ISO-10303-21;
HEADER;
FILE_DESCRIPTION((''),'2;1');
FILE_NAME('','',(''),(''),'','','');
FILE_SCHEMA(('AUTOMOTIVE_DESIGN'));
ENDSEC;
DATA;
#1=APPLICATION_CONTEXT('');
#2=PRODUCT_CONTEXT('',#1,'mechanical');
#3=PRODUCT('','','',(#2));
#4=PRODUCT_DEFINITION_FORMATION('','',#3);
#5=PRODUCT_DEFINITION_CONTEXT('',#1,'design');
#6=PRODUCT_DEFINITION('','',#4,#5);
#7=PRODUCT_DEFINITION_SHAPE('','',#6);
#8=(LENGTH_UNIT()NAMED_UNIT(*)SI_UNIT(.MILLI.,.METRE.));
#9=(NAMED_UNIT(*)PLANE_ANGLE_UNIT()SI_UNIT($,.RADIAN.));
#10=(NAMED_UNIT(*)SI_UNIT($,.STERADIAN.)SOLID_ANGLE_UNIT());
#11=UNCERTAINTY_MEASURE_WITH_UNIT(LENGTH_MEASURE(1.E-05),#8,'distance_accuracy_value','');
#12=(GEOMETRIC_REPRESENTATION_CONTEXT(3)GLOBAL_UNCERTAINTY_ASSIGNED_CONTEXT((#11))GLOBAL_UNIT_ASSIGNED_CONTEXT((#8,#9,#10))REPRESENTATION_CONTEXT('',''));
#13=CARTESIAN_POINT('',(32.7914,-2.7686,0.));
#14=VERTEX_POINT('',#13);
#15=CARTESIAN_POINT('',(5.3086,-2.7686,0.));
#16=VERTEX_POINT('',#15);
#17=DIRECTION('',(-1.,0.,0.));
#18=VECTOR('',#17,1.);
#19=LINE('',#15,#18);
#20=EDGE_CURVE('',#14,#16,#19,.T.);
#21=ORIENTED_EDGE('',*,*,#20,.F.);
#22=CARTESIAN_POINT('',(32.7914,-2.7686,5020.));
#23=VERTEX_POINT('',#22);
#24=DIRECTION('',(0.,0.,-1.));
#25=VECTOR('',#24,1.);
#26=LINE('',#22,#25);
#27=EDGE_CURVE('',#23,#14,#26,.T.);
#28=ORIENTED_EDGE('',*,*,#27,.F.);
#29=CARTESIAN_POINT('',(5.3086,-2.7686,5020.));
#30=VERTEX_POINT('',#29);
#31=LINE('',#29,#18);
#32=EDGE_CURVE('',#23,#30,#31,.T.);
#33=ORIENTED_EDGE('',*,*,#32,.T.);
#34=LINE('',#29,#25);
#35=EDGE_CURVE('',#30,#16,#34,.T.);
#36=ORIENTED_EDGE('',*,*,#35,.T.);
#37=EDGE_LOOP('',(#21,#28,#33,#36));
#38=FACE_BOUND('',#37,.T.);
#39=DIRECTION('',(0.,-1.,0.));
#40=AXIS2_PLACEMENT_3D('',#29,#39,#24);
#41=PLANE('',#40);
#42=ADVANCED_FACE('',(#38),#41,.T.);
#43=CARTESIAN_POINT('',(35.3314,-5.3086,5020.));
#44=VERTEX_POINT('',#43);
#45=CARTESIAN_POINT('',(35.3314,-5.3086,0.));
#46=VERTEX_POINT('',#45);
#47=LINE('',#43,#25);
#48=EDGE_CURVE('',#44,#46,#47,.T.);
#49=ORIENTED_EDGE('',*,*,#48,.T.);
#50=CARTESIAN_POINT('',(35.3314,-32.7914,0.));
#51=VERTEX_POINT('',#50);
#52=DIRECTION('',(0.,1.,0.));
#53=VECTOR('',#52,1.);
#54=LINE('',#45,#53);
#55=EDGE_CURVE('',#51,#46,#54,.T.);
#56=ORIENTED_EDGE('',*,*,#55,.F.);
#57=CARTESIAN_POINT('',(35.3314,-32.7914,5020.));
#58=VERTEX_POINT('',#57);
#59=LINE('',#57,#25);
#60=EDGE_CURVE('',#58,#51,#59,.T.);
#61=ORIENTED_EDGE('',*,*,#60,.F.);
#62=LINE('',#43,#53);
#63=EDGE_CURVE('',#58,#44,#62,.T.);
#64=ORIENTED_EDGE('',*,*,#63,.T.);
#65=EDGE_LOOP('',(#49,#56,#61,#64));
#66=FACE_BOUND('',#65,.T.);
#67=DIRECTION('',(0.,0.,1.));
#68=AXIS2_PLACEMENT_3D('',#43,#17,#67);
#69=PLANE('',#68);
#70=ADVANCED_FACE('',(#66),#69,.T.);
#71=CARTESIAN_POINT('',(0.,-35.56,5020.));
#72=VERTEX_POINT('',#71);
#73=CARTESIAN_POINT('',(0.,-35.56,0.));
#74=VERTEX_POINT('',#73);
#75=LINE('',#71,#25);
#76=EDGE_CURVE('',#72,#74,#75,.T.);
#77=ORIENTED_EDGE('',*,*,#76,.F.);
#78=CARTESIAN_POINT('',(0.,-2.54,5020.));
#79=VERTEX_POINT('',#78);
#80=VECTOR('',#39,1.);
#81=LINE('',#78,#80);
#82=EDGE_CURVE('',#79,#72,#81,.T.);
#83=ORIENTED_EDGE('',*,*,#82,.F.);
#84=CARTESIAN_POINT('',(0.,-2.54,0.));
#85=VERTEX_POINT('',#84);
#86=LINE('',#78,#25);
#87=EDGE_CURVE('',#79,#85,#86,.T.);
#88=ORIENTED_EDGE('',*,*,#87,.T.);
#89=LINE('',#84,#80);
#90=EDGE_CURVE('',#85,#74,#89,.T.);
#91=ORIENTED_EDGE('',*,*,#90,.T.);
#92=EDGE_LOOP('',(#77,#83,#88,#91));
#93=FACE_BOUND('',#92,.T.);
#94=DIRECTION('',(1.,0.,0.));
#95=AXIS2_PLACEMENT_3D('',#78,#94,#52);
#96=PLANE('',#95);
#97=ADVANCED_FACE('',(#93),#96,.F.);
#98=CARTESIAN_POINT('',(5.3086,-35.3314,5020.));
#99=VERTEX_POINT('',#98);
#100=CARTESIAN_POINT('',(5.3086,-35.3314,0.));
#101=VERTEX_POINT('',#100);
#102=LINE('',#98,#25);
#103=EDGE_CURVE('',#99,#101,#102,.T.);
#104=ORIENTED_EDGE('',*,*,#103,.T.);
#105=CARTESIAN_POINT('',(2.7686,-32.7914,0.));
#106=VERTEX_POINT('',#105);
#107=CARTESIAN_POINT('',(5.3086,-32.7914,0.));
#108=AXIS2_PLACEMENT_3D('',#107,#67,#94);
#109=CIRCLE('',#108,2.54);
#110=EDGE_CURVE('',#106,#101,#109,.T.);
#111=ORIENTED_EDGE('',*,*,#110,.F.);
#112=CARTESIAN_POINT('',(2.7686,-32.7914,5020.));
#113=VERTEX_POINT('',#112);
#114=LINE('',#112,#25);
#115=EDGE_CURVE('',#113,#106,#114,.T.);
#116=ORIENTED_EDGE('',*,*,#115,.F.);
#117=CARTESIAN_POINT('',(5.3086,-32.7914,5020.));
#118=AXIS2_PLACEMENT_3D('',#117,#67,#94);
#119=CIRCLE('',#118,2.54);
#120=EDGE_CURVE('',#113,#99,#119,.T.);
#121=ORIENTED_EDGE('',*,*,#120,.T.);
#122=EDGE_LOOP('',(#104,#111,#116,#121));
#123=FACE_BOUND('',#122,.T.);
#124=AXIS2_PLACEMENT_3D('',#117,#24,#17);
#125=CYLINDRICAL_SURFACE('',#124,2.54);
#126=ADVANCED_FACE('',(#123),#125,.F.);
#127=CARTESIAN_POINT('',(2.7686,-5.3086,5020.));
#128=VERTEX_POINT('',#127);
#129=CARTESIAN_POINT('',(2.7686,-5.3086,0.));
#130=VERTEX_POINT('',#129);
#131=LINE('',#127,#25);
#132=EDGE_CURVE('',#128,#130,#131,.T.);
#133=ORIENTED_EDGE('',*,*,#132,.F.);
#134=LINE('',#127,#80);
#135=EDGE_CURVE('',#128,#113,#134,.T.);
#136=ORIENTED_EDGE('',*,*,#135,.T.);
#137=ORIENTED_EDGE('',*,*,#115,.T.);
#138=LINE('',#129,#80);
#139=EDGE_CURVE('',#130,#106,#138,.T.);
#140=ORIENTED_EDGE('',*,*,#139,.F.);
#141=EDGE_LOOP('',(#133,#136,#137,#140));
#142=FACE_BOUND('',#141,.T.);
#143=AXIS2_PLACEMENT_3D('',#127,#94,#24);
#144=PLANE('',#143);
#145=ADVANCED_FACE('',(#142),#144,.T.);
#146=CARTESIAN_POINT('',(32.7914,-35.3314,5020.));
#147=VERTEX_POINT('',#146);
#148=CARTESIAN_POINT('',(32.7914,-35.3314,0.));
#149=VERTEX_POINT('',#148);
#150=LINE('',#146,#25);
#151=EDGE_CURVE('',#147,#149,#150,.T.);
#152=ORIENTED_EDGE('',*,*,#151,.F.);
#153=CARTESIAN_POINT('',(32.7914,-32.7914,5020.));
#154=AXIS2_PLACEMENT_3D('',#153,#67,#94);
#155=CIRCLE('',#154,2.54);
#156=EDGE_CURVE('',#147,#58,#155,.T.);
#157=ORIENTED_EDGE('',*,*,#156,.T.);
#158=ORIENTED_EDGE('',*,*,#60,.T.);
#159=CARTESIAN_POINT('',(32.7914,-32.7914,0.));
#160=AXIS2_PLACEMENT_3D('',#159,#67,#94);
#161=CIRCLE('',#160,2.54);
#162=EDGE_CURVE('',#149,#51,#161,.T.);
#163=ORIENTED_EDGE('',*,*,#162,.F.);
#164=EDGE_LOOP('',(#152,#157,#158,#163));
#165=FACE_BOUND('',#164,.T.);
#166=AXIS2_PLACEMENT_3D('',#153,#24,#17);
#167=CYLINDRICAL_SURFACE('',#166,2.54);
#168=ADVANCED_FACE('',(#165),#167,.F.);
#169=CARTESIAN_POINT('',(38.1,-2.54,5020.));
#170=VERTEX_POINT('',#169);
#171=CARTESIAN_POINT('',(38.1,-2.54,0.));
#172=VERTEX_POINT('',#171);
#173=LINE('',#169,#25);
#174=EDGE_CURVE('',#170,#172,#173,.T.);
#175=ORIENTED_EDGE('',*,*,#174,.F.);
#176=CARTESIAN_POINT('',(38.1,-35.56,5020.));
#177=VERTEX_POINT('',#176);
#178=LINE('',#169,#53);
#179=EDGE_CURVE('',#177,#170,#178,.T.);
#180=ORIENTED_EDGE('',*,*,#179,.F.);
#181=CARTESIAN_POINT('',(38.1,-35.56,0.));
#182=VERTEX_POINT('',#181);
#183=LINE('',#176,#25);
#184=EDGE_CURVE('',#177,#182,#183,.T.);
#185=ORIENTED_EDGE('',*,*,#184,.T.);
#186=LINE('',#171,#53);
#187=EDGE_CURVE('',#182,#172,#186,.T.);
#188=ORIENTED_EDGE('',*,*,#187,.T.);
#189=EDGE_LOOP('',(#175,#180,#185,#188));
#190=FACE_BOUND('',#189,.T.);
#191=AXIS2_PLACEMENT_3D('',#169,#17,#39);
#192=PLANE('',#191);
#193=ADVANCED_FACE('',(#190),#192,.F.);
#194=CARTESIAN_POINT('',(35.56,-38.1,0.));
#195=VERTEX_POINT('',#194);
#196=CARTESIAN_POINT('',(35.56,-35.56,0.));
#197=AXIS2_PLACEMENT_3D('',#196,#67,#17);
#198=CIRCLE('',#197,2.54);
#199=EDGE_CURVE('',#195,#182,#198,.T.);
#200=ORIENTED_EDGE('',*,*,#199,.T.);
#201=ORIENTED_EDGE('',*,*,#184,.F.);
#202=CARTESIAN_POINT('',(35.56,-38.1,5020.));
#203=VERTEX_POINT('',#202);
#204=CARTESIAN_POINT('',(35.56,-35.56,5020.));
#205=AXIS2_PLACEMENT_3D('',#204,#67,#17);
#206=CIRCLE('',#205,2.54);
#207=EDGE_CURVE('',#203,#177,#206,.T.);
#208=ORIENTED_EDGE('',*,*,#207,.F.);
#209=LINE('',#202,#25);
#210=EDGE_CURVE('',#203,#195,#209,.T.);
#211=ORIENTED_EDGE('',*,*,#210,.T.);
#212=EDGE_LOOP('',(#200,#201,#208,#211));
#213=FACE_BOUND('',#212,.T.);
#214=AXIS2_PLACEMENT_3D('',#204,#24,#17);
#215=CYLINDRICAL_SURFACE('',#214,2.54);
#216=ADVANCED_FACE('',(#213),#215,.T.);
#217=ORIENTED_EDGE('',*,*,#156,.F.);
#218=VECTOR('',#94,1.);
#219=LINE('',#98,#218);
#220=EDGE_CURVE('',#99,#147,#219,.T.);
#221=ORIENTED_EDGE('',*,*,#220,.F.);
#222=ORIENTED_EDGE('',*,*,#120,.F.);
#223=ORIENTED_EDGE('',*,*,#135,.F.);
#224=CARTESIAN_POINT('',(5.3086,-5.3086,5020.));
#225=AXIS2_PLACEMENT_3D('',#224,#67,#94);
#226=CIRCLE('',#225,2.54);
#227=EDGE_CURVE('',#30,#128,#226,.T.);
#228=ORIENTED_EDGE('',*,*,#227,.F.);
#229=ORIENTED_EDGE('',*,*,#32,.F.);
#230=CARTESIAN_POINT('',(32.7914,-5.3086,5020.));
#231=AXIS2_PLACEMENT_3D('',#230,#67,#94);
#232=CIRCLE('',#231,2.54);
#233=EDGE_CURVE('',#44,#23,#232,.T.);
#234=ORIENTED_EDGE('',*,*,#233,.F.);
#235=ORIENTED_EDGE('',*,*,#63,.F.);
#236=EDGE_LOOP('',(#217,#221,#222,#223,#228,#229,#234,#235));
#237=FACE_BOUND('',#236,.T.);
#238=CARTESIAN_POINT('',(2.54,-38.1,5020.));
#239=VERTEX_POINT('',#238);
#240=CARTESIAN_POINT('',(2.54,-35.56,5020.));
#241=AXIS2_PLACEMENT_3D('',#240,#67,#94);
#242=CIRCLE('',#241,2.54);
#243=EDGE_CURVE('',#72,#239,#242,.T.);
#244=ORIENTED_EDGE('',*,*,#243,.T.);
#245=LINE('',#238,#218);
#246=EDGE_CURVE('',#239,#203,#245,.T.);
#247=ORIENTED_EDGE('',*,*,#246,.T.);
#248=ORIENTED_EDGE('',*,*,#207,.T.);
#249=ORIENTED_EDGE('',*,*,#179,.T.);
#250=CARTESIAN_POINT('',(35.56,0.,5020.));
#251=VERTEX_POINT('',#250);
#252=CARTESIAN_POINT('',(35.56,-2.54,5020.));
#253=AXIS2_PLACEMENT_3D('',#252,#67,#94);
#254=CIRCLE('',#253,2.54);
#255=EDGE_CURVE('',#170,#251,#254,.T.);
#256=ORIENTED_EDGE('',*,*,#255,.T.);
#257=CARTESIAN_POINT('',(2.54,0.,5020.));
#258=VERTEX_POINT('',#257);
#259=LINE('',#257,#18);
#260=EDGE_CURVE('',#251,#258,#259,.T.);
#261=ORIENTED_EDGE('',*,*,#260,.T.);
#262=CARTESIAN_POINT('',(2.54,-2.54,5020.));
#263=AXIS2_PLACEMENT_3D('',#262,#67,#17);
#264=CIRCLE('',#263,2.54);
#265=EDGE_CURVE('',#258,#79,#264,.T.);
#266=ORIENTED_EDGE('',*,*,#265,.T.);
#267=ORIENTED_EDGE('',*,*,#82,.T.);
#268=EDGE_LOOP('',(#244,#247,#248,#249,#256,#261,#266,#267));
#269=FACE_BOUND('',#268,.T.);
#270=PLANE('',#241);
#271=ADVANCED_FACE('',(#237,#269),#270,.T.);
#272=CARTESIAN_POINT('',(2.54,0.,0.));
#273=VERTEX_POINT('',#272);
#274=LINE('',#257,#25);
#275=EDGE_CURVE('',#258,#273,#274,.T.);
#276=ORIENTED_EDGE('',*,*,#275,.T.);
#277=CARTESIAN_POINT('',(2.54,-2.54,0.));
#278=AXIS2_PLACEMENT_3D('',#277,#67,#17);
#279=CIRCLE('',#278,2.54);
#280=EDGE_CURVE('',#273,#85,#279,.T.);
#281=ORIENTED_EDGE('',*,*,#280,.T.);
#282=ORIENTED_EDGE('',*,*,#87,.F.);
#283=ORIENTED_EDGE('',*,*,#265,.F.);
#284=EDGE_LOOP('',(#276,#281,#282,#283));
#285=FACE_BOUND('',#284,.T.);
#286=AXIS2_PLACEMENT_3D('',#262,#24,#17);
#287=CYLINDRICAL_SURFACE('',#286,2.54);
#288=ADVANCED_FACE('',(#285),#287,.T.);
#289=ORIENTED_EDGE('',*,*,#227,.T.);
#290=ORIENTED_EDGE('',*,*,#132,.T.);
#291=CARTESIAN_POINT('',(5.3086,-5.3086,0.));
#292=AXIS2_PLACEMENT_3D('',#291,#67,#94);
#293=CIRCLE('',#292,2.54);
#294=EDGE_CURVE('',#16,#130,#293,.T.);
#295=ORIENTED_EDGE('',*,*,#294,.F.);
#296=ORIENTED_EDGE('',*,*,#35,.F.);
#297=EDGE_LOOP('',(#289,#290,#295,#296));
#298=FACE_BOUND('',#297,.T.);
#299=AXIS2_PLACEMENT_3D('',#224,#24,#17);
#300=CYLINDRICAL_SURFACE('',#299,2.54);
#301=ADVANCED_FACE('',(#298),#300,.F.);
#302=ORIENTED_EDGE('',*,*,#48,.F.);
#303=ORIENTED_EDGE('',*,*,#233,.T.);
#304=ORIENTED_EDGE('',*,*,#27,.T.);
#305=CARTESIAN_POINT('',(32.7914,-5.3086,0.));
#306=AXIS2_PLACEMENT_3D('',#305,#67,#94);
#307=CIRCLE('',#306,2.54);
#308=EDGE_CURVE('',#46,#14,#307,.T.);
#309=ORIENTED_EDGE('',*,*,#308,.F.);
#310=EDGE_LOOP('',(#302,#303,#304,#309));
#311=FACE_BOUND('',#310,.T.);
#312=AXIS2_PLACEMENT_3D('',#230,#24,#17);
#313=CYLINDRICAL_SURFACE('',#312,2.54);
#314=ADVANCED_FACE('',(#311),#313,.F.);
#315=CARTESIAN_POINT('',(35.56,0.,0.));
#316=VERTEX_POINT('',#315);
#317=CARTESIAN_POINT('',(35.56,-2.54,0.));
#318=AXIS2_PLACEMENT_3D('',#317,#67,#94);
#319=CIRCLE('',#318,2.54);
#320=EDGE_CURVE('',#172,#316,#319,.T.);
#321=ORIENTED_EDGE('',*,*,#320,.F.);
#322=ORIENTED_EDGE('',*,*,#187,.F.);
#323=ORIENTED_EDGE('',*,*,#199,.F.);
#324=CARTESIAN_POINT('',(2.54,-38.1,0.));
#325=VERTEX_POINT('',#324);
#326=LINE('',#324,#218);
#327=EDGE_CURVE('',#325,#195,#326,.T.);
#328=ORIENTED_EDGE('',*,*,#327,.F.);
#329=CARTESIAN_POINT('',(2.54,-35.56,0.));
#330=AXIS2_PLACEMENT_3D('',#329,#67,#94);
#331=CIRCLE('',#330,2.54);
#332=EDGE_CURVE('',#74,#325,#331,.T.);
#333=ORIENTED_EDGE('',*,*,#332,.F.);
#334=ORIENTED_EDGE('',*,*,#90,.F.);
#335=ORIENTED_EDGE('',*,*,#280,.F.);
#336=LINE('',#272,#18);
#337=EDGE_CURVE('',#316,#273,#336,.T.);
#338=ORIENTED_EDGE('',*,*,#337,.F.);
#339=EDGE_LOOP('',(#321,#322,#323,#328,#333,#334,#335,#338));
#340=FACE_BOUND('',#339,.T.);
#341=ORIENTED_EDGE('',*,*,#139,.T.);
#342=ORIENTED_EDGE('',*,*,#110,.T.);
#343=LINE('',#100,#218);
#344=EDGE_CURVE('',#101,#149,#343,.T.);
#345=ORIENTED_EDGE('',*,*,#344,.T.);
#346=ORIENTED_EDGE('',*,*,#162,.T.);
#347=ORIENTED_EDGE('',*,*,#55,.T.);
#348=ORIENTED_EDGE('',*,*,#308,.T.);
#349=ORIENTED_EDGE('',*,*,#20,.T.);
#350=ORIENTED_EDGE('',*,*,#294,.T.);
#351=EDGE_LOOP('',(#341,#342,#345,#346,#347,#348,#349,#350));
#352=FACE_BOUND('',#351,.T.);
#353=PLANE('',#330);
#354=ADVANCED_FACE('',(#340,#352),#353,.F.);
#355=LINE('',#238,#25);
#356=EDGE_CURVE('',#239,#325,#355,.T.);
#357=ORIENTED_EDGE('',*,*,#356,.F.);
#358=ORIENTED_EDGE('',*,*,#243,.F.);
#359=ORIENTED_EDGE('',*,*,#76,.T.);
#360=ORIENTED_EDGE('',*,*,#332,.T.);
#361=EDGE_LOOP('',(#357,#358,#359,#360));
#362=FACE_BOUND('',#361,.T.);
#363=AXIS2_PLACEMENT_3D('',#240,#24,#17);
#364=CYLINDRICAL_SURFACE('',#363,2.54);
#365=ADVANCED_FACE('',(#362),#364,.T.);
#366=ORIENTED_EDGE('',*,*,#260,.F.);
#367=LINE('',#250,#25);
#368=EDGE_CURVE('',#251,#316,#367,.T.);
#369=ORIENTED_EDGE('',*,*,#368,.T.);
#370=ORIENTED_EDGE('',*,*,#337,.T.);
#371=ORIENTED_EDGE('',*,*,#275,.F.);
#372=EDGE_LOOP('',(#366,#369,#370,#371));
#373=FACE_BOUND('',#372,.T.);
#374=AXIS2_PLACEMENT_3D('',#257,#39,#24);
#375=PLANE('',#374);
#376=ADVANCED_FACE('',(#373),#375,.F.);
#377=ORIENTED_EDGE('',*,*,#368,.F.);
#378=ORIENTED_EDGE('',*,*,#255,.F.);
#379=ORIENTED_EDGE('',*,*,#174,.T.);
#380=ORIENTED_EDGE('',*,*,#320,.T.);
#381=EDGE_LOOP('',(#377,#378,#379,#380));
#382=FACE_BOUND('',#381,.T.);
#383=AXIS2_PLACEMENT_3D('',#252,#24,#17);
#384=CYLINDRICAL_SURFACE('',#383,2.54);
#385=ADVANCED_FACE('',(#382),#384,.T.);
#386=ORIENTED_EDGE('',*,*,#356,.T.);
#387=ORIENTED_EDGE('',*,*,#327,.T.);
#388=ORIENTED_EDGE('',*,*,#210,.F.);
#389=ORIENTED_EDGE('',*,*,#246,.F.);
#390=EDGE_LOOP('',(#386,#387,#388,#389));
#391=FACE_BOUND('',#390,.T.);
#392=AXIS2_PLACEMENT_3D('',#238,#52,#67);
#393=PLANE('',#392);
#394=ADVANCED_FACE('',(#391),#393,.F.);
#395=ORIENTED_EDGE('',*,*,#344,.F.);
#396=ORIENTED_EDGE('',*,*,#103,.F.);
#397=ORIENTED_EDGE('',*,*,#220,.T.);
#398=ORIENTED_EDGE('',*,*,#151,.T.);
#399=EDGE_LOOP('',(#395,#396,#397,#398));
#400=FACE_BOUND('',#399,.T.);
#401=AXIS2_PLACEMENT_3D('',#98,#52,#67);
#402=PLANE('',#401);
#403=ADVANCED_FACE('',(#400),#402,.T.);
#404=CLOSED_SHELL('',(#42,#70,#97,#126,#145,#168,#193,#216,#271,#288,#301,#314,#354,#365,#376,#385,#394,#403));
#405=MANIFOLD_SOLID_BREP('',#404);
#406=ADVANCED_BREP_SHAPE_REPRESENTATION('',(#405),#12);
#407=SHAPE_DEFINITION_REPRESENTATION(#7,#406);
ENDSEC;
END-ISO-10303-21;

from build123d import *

# Parameters (mm, degrees)
BOSS_EXTRUDE1_DEPTH = 5020


with BuildPart() as part:
    # Sketch1 → Boss-Extrude1 (new body)
    with BuildSketch(Plane.XY):
        with BuildLine():
            Line((2.54, 0), (35.56, 0))
            ThreePointArc((35.56, 0), (37.356051224, -0.743948776), (38.1, -2.54))
            Line((38.1, -2.54), (38.1, -35.56))
            ThreePointArc((38.1, -35.56), (37.356051224, -37.356051224), (35.56, -38.1))
            Line((35.56, -38.1), (2.54, -38.1))
            ThreePointArc((2.54, -38.1), (0.743948776, -37.356051224), (0, -35.56))
            Line((0, -35.56), (0, -2.54))
            ThreePointArc((0, -2.54), (0.743948776, -0.743948776), (2.54, 0))
        make_face()
        with BuildLine():
            Line((5.3086, -2.7686), (32.7914, -2.7686))
            ThreePointArc((32.7914, -2.7686), (34.587451224, -3.512548776), (35.3314, -5.3086))
            Line((35.3314, -5.3086), (35.3314, -32.7914))
            ThreePointArc((35.3314, -32.7914), (34.587451224, -34.587451224), (32.7914, -35.3314))
            Line((32.7914, -35.3314), (5.3086, -35.3314))
            ThreePointArc((5.3086, -35.3314), (3.512548776, -34.587451224), (2.7686, -32.7914))
            Line((2.7686, -32.7914), (2.7686, -5.3086))
            ThreePointArc((2.7686, -5.3086), (3.512548776, -3.512548776), (5.3086, -2.7686))
        make_face(mode=Mode.SUBTRACT)
    extrude(amount=BOSS_EXTRUDE1_DEPTH)


solid = part.part
